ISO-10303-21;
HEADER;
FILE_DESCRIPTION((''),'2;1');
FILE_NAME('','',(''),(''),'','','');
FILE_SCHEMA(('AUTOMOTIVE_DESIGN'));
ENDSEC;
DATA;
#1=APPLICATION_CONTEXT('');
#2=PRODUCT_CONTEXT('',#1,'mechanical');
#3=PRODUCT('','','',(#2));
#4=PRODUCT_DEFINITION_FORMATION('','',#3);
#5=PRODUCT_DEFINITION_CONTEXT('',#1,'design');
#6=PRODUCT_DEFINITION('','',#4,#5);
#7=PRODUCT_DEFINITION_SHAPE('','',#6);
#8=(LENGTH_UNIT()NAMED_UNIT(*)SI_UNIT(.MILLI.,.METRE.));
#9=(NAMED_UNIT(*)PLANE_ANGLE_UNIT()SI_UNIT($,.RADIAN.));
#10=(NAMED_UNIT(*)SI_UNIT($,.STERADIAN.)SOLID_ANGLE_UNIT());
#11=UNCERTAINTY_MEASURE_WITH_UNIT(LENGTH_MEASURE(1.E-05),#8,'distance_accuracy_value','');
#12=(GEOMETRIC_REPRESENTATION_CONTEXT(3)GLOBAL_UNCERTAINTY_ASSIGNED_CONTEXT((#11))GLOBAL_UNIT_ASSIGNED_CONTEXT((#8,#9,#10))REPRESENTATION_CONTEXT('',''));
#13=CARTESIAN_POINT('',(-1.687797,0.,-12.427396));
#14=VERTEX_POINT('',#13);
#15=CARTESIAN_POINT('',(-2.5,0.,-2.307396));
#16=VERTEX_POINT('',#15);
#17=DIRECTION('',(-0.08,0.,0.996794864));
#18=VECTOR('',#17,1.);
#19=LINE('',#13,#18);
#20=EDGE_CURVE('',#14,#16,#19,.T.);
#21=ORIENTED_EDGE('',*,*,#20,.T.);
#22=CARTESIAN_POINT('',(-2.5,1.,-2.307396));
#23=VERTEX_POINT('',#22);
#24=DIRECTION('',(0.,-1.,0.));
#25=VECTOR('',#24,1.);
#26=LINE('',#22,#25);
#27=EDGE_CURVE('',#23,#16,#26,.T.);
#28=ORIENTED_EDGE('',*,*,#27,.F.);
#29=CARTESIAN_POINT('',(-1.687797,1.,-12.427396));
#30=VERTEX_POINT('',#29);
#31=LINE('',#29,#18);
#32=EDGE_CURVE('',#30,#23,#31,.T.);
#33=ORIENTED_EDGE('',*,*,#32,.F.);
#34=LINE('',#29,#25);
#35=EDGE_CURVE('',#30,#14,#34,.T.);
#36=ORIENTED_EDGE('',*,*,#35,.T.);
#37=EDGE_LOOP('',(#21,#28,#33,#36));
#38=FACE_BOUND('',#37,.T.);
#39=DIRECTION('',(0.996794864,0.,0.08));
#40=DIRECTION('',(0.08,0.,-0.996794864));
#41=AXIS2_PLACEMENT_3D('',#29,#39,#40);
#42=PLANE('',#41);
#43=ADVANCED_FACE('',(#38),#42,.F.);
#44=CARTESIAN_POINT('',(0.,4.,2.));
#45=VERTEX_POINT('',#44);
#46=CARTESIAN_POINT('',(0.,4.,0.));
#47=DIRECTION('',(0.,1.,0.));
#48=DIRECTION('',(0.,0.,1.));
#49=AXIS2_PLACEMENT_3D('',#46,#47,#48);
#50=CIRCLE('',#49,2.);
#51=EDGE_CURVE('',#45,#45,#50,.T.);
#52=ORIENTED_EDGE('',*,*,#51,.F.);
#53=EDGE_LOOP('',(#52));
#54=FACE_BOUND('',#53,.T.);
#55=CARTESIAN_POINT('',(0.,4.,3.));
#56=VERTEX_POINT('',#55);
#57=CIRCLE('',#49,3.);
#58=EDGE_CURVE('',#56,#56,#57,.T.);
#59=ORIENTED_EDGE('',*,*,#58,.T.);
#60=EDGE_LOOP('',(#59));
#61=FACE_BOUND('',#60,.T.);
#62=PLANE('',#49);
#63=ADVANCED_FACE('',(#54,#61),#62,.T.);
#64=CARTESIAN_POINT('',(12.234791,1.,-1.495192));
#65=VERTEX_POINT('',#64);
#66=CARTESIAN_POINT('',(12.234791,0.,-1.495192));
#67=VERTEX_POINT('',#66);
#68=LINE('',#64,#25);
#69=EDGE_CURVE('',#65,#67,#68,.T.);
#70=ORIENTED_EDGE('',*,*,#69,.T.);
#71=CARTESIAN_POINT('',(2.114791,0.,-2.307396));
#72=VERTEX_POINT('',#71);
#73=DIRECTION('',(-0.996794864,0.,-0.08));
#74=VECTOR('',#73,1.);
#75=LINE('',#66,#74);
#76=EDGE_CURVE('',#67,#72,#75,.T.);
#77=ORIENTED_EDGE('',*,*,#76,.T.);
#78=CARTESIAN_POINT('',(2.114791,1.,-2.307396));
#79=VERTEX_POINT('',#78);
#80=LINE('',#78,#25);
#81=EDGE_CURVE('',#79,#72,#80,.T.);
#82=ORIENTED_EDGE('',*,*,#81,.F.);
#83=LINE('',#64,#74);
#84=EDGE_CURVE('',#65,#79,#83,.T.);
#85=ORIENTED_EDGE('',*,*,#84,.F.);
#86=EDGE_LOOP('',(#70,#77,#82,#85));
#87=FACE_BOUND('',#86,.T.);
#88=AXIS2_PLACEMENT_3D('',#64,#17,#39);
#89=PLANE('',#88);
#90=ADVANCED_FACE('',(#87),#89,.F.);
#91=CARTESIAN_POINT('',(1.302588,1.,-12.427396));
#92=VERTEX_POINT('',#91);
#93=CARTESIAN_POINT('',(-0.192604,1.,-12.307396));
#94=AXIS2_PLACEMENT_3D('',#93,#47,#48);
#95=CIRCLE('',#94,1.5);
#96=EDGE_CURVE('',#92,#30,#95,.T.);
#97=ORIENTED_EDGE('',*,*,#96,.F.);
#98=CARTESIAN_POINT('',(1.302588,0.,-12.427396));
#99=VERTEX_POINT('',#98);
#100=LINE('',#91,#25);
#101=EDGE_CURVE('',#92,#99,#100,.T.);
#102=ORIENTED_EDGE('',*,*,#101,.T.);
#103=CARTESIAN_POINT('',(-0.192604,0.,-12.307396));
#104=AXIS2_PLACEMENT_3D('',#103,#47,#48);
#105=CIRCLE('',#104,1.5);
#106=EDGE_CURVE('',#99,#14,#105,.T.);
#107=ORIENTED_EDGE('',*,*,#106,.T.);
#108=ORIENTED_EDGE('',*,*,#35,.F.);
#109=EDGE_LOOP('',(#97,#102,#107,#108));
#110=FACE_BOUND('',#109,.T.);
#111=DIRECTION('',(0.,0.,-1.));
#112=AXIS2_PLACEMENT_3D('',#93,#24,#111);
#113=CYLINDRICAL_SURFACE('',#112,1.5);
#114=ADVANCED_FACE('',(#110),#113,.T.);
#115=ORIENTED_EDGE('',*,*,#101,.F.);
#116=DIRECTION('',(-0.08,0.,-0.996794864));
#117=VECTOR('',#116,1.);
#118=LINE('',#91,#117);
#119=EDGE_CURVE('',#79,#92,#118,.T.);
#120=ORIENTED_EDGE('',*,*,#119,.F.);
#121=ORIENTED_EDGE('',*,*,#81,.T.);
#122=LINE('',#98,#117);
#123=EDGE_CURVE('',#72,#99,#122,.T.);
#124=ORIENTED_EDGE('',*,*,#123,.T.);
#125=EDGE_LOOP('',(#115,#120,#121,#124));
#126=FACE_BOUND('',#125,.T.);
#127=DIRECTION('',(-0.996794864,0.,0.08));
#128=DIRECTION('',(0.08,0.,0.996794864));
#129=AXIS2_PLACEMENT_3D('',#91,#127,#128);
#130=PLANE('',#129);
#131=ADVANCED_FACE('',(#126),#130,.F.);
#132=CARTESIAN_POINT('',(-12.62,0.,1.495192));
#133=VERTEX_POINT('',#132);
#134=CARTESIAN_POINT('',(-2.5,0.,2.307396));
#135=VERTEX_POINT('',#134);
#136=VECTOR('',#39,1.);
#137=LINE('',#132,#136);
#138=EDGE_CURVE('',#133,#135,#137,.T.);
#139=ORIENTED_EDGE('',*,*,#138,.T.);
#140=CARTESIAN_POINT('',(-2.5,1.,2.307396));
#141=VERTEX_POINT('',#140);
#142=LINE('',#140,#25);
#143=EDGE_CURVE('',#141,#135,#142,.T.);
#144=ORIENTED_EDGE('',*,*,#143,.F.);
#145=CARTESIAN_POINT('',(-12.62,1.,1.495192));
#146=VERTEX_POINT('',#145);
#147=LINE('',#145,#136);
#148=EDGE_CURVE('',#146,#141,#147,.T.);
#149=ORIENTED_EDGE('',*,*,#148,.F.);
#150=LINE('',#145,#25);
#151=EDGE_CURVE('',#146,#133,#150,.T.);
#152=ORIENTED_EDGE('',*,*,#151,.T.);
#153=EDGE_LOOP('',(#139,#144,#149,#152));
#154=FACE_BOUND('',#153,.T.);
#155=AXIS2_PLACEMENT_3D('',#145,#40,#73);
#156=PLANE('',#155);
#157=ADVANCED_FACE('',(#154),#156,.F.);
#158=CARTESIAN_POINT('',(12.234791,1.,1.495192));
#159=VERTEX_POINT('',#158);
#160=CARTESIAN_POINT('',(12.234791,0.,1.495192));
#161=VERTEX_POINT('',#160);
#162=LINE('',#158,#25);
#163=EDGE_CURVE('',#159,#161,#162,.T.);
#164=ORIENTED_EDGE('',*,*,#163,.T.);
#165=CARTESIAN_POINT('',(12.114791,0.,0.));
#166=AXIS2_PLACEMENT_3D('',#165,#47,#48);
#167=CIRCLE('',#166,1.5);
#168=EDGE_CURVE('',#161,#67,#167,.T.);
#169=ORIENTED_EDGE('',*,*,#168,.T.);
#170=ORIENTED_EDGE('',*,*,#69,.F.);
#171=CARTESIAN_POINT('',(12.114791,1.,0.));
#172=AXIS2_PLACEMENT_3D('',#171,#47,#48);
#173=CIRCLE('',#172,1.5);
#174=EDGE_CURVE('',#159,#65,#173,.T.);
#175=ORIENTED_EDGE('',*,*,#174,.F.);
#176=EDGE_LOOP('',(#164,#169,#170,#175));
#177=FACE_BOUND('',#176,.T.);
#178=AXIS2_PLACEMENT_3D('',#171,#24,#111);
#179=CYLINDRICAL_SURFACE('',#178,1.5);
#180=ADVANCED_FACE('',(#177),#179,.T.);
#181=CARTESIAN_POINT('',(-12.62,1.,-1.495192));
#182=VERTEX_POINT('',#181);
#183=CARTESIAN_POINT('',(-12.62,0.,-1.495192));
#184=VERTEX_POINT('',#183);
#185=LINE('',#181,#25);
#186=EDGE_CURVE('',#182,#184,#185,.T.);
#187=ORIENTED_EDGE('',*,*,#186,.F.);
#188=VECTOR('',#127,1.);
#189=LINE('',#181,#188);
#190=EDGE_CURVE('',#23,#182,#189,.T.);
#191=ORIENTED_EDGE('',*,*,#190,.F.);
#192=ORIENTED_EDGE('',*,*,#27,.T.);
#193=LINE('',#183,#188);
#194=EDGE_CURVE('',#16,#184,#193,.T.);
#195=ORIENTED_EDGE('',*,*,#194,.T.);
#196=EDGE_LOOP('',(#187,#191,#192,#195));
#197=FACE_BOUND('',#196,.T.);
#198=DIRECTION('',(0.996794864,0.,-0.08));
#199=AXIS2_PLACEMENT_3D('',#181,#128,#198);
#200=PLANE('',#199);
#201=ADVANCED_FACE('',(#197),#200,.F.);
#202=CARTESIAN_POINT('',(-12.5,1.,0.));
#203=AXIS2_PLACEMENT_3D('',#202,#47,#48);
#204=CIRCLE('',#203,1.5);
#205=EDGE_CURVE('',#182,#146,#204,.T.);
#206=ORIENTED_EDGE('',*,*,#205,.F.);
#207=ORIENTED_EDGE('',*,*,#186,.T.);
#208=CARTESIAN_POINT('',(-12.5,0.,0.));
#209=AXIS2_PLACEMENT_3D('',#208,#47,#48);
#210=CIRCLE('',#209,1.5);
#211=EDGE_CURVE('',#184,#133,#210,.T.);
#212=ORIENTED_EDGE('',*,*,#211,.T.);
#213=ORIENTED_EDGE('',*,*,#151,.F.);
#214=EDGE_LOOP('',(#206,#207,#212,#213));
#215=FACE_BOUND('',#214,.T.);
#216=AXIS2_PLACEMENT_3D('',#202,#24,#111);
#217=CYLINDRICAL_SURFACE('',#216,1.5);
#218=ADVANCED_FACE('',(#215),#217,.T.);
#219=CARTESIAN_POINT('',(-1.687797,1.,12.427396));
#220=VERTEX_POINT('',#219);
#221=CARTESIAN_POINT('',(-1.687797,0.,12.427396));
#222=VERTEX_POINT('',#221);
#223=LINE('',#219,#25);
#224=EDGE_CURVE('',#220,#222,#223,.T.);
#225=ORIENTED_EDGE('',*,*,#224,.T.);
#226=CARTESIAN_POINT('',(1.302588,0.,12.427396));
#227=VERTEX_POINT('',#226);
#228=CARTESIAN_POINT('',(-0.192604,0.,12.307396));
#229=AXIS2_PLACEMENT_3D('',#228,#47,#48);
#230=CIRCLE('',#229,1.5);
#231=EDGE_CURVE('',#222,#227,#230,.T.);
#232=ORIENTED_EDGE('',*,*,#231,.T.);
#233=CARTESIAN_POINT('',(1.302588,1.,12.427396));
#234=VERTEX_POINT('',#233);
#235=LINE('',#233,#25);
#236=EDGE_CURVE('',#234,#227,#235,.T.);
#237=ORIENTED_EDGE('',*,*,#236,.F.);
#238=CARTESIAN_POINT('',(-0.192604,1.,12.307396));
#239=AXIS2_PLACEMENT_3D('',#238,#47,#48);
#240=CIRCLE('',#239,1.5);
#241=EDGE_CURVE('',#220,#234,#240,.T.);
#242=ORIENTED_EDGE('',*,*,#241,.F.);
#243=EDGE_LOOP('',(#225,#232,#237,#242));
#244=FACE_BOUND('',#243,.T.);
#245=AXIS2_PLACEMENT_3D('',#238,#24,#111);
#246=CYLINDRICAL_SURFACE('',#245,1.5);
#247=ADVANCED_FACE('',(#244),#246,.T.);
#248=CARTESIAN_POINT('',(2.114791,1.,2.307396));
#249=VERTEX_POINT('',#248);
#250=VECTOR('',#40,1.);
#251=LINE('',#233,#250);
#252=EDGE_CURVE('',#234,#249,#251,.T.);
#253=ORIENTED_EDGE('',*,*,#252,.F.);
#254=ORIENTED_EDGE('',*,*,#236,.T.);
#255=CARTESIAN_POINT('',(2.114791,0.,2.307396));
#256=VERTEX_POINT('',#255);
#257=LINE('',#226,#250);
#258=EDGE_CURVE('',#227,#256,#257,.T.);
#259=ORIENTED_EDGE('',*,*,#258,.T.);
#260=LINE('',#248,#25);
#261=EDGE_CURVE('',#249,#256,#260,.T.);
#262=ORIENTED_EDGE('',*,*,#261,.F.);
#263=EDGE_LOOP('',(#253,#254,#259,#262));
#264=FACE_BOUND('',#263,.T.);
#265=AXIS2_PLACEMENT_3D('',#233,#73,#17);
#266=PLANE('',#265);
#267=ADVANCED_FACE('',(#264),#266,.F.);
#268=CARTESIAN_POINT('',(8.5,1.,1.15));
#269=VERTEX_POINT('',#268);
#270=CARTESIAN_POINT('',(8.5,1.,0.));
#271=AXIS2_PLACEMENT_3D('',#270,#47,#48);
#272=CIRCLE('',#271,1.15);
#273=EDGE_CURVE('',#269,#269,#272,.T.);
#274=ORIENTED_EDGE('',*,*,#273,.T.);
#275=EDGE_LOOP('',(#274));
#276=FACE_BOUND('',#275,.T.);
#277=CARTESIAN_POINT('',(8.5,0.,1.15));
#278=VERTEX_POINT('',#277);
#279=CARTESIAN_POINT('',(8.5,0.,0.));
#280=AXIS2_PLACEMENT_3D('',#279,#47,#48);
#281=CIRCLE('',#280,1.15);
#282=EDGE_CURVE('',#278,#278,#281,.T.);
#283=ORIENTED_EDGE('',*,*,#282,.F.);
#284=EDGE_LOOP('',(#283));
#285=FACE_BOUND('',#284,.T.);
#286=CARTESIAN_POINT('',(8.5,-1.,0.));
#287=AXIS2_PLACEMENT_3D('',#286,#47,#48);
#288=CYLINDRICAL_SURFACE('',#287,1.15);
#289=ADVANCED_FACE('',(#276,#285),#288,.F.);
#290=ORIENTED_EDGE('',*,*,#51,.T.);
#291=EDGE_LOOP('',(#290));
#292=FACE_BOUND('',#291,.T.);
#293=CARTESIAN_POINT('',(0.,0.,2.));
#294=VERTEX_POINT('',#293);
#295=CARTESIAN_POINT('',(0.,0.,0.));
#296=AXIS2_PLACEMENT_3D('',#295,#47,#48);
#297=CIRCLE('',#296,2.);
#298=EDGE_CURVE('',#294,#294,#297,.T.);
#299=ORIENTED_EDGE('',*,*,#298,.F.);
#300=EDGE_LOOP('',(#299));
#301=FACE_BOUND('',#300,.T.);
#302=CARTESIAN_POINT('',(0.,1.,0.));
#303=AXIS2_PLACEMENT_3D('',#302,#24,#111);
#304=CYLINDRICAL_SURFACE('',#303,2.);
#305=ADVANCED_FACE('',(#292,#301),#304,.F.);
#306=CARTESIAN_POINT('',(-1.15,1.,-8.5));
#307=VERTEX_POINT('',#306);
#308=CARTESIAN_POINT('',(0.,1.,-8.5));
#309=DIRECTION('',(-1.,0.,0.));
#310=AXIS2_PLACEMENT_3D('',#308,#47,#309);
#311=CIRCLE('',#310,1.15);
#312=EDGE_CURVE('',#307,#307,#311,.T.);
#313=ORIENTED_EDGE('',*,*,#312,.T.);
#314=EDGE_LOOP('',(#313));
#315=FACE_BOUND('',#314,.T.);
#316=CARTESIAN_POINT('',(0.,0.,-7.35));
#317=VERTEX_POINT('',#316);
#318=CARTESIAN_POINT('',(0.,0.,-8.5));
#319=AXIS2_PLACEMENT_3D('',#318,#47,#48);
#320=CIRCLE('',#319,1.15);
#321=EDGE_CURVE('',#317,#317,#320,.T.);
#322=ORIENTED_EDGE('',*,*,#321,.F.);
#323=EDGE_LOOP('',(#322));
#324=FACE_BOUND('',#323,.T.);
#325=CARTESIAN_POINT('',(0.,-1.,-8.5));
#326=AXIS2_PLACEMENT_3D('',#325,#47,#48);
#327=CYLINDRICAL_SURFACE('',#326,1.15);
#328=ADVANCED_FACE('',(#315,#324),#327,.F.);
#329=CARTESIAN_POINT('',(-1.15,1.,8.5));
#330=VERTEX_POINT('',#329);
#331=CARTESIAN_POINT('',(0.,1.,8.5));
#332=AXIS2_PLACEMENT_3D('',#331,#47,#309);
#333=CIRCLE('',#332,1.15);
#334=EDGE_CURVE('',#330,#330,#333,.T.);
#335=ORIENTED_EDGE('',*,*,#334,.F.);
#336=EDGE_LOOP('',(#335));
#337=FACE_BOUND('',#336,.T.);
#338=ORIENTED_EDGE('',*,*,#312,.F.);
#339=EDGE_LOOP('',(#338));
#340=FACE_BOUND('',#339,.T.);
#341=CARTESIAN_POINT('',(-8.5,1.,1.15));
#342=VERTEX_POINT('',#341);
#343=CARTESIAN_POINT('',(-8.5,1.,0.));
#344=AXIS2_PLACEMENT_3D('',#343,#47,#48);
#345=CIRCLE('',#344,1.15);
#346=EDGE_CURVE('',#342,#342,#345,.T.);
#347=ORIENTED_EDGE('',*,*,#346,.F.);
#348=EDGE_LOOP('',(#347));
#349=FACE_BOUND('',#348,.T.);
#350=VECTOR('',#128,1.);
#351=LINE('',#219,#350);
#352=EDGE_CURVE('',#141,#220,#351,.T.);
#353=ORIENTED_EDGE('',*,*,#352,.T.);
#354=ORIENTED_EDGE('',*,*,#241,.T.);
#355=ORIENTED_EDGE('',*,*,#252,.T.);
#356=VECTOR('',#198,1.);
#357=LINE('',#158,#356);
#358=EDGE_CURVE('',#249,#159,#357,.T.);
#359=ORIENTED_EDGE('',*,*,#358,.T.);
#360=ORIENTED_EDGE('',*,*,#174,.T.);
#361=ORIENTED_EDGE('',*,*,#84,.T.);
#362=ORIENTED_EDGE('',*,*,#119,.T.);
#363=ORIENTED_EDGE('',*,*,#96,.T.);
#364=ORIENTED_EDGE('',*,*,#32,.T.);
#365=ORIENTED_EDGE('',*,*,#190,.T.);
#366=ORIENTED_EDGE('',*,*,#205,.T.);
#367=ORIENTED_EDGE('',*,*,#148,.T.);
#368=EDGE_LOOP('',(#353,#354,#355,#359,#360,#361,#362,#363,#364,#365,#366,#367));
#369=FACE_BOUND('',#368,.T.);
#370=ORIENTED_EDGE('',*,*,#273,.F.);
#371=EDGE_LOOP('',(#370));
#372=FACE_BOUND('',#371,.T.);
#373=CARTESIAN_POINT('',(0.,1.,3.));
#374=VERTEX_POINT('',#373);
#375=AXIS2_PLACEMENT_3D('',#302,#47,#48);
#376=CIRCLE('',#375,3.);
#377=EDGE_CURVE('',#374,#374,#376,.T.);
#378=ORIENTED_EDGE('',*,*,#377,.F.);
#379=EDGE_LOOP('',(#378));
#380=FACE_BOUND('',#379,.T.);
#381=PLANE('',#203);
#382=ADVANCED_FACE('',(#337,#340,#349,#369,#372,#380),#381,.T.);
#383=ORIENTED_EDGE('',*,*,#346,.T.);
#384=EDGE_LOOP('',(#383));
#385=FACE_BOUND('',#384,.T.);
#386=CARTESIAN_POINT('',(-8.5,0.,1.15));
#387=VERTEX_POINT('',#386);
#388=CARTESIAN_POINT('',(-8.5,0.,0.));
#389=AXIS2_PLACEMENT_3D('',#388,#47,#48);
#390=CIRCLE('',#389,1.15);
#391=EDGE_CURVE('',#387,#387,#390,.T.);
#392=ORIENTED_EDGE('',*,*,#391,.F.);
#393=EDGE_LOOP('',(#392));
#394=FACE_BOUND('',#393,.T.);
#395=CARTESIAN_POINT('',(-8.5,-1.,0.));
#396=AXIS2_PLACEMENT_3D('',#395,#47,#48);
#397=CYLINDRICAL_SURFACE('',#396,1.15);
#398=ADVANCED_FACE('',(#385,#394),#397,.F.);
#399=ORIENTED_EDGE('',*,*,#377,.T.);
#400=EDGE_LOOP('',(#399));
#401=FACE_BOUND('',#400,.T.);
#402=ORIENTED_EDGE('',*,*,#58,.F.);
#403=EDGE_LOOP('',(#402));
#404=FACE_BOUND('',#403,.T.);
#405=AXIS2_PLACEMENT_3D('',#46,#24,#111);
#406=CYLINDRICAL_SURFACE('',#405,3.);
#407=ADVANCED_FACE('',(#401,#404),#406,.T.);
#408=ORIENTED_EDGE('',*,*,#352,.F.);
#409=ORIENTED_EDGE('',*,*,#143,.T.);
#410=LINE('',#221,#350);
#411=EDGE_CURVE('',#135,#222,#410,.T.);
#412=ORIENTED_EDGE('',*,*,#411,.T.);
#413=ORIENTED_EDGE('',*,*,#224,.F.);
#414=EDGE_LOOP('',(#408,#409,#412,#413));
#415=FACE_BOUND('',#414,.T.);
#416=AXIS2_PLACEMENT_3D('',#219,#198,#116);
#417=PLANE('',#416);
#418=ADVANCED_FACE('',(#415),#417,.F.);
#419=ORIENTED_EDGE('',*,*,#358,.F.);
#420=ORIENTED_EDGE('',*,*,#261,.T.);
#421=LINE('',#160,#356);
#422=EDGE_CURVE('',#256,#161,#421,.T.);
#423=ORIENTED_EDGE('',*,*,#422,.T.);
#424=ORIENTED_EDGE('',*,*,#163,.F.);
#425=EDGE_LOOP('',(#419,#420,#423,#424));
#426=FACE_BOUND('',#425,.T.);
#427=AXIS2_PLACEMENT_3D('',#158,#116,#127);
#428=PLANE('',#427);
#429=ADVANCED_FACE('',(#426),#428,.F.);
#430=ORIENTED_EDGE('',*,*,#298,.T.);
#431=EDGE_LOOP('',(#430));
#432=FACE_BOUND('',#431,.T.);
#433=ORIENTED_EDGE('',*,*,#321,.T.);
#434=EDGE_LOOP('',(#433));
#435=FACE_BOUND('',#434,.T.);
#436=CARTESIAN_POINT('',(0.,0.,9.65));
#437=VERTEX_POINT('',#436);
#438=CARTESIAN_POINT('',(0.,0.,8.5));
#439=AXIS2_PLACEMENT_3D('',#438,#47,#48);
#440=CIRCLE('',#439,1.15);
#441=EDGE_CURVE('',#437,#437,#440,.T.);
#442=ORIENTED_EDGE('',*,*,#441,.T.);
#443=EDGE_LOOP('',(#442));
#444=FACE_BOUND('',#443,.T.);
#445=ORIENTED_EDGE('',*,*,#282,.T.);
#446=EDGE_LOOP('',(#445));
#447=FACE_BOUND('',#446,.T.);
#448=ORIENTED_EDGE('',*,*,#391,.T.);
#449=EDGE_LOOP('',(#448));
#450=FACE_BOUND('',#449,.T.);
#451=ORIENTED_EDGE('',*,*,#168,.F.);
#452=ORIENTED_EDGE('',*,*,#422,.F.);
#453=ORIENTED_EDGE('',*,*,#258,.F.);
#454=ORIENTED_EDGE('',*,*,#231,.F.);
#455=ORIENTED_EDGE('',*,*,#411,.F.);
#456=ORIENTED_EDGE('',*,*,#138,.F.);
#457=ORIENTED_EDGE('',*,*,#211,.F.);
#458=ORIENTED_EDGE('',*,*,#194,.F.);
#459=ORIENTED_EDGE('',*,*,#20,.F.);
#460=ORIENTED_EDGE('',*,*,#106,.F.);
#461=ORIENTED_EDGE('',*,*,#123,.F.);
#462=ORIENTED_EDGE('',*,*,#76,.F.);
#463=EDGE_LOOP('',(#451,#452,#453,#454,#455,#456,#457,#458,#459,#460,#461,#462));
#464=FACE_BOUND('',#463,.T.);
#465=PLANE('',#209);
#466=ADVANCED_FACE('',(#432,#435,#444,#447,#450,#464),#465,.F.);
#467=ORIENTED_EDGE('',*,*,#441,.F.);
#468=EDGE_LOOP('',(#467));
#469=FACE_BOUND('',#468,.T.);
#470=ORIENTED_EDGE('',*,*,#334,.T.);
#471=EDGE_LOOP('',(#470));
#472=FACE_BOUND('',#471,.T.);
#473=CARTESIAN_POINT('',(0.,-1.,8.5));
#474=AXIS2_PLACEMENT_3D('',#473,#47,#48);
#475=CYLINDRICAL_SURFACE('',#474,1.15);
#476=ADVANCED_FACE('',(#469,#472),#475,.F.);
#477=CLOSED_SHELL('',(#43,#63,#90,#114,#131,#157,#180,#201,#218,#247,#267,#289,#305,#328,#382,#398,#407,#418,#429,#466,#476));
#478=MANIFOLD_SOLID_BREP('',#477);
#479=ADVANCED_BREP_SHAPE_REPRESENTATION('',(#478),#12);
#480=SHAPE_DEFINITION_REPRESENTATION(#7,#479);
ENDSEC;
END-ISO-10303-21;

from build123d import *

# Parameters (mm, degrees)
SKICA1_R                 = 2
P_IDAT_VYSUNUT_M1_DEPTH  = 1
SKICA2_R                 = 1.15
ODEBRAT_VYSUNUT_M1_DEPTH = 2
SKICA3_R                 = 3
SKICA3_R_2               = 2
P_IDAT_VYSUNUT_M2_DEPTH  = 3
KRUHOV_POLE1_COUNT       = 4


with BuildPart() as part:
    # Skica1 → Přidat vysunutím1 (new body)
    with BuildSketch(Plane(origin=(0, 0, 0), x_dir=(1, 0, 0), z_dir=(0, 1, 0))):
        with BuildLine():
            Line((-12.62, 1.495192295), (-2.5, 2.307395517))
            Line((-2.5, 2.307395517), (-1.687796778, 12.427395517))
            ThreePointArc((-1.687796778, 12.427395517), (-0.192604483, 13.807395517), (1.302587813, 12.427395517))
            Line((1.302587813, 12.427395517), (2.114791035, 2.307395517))
            Line((2.114791035, 2.307395517), (12.234791035, 1.495192295))
            ThreePointArc((12.234791035, 1.495192295), (13.614791035, 0), (12.234791035, -1.495192295))
            Line((12.234791035, -1.495192295), (2.114791035, -2.307395517))
            Line((2.114791035, -2.307395517), (1.302587813, -12.427395517))
            ThreePointArc((1.302587813, -12.427395517), (-0.192604483, -13.807395517), (-1.687796778, -12.427395517))
            Line((-1.687796778, -12.427395517), (-2.5, -2.307395517))
            Line((-2.5, -2.307395517), (-12.62, -1.495192295))
            ThreePointArc((-12.62, -1.495192295), (-14, 0), (-12.62, 1.495192295))
        make_face()
        Circle(SKICA1_R, mode=Mode.SUBTRACT)
    extrude(amount=P_IDAT_VYSUNUT_M1_DEPTH)

    # Skica2 → Odebrat vysunutím1 (cut)
    with BuildSketch(Plane(origin=(0, 1, 0), x_dir=(1, 0, 0), z_dir=(0, 1, 0))):
        with Locations((-8.5, 0)):
            Circle(SKICA2_R)
        with Locations((8.5, 0)):
            Circle(SKICA2_R)
    odebrat_vysunut_m1 = extrude(amount=-ODEBRAT_VYSUNUT_M1_DEPTH, mode=Mode.SUBTRACT)

    # Skica3 → Přidat vysunutím2 (add)
    with BuildSketch(Plane(origin=(0, 1, 0), x_dir=(1, 0, 0), z_dir=(0, 1, 0))):
        Circle(SKICA3_R)
        Circle(SKICA3_R_2, mode=Mode.SUBTRACT)
    extrude(amount=P_IDAT_VYSUNUT_M2_DEPTH)

    # Kruhové pole1: Odebrat vysunutím1 ×4 about axis
    kruhov_pole1_axis = Axis((0, 0, 0), (0, 1, 0))
    for i in range(1, KRUHOV_POLE1_COUNT):
        add(odebrat_vysunut_m1.rotate(kruhov_pole1_axis, i * 360 / KRUHOV_POLE1_COUNT), mode=Mode.SUBTRACT)


solid = part.part
